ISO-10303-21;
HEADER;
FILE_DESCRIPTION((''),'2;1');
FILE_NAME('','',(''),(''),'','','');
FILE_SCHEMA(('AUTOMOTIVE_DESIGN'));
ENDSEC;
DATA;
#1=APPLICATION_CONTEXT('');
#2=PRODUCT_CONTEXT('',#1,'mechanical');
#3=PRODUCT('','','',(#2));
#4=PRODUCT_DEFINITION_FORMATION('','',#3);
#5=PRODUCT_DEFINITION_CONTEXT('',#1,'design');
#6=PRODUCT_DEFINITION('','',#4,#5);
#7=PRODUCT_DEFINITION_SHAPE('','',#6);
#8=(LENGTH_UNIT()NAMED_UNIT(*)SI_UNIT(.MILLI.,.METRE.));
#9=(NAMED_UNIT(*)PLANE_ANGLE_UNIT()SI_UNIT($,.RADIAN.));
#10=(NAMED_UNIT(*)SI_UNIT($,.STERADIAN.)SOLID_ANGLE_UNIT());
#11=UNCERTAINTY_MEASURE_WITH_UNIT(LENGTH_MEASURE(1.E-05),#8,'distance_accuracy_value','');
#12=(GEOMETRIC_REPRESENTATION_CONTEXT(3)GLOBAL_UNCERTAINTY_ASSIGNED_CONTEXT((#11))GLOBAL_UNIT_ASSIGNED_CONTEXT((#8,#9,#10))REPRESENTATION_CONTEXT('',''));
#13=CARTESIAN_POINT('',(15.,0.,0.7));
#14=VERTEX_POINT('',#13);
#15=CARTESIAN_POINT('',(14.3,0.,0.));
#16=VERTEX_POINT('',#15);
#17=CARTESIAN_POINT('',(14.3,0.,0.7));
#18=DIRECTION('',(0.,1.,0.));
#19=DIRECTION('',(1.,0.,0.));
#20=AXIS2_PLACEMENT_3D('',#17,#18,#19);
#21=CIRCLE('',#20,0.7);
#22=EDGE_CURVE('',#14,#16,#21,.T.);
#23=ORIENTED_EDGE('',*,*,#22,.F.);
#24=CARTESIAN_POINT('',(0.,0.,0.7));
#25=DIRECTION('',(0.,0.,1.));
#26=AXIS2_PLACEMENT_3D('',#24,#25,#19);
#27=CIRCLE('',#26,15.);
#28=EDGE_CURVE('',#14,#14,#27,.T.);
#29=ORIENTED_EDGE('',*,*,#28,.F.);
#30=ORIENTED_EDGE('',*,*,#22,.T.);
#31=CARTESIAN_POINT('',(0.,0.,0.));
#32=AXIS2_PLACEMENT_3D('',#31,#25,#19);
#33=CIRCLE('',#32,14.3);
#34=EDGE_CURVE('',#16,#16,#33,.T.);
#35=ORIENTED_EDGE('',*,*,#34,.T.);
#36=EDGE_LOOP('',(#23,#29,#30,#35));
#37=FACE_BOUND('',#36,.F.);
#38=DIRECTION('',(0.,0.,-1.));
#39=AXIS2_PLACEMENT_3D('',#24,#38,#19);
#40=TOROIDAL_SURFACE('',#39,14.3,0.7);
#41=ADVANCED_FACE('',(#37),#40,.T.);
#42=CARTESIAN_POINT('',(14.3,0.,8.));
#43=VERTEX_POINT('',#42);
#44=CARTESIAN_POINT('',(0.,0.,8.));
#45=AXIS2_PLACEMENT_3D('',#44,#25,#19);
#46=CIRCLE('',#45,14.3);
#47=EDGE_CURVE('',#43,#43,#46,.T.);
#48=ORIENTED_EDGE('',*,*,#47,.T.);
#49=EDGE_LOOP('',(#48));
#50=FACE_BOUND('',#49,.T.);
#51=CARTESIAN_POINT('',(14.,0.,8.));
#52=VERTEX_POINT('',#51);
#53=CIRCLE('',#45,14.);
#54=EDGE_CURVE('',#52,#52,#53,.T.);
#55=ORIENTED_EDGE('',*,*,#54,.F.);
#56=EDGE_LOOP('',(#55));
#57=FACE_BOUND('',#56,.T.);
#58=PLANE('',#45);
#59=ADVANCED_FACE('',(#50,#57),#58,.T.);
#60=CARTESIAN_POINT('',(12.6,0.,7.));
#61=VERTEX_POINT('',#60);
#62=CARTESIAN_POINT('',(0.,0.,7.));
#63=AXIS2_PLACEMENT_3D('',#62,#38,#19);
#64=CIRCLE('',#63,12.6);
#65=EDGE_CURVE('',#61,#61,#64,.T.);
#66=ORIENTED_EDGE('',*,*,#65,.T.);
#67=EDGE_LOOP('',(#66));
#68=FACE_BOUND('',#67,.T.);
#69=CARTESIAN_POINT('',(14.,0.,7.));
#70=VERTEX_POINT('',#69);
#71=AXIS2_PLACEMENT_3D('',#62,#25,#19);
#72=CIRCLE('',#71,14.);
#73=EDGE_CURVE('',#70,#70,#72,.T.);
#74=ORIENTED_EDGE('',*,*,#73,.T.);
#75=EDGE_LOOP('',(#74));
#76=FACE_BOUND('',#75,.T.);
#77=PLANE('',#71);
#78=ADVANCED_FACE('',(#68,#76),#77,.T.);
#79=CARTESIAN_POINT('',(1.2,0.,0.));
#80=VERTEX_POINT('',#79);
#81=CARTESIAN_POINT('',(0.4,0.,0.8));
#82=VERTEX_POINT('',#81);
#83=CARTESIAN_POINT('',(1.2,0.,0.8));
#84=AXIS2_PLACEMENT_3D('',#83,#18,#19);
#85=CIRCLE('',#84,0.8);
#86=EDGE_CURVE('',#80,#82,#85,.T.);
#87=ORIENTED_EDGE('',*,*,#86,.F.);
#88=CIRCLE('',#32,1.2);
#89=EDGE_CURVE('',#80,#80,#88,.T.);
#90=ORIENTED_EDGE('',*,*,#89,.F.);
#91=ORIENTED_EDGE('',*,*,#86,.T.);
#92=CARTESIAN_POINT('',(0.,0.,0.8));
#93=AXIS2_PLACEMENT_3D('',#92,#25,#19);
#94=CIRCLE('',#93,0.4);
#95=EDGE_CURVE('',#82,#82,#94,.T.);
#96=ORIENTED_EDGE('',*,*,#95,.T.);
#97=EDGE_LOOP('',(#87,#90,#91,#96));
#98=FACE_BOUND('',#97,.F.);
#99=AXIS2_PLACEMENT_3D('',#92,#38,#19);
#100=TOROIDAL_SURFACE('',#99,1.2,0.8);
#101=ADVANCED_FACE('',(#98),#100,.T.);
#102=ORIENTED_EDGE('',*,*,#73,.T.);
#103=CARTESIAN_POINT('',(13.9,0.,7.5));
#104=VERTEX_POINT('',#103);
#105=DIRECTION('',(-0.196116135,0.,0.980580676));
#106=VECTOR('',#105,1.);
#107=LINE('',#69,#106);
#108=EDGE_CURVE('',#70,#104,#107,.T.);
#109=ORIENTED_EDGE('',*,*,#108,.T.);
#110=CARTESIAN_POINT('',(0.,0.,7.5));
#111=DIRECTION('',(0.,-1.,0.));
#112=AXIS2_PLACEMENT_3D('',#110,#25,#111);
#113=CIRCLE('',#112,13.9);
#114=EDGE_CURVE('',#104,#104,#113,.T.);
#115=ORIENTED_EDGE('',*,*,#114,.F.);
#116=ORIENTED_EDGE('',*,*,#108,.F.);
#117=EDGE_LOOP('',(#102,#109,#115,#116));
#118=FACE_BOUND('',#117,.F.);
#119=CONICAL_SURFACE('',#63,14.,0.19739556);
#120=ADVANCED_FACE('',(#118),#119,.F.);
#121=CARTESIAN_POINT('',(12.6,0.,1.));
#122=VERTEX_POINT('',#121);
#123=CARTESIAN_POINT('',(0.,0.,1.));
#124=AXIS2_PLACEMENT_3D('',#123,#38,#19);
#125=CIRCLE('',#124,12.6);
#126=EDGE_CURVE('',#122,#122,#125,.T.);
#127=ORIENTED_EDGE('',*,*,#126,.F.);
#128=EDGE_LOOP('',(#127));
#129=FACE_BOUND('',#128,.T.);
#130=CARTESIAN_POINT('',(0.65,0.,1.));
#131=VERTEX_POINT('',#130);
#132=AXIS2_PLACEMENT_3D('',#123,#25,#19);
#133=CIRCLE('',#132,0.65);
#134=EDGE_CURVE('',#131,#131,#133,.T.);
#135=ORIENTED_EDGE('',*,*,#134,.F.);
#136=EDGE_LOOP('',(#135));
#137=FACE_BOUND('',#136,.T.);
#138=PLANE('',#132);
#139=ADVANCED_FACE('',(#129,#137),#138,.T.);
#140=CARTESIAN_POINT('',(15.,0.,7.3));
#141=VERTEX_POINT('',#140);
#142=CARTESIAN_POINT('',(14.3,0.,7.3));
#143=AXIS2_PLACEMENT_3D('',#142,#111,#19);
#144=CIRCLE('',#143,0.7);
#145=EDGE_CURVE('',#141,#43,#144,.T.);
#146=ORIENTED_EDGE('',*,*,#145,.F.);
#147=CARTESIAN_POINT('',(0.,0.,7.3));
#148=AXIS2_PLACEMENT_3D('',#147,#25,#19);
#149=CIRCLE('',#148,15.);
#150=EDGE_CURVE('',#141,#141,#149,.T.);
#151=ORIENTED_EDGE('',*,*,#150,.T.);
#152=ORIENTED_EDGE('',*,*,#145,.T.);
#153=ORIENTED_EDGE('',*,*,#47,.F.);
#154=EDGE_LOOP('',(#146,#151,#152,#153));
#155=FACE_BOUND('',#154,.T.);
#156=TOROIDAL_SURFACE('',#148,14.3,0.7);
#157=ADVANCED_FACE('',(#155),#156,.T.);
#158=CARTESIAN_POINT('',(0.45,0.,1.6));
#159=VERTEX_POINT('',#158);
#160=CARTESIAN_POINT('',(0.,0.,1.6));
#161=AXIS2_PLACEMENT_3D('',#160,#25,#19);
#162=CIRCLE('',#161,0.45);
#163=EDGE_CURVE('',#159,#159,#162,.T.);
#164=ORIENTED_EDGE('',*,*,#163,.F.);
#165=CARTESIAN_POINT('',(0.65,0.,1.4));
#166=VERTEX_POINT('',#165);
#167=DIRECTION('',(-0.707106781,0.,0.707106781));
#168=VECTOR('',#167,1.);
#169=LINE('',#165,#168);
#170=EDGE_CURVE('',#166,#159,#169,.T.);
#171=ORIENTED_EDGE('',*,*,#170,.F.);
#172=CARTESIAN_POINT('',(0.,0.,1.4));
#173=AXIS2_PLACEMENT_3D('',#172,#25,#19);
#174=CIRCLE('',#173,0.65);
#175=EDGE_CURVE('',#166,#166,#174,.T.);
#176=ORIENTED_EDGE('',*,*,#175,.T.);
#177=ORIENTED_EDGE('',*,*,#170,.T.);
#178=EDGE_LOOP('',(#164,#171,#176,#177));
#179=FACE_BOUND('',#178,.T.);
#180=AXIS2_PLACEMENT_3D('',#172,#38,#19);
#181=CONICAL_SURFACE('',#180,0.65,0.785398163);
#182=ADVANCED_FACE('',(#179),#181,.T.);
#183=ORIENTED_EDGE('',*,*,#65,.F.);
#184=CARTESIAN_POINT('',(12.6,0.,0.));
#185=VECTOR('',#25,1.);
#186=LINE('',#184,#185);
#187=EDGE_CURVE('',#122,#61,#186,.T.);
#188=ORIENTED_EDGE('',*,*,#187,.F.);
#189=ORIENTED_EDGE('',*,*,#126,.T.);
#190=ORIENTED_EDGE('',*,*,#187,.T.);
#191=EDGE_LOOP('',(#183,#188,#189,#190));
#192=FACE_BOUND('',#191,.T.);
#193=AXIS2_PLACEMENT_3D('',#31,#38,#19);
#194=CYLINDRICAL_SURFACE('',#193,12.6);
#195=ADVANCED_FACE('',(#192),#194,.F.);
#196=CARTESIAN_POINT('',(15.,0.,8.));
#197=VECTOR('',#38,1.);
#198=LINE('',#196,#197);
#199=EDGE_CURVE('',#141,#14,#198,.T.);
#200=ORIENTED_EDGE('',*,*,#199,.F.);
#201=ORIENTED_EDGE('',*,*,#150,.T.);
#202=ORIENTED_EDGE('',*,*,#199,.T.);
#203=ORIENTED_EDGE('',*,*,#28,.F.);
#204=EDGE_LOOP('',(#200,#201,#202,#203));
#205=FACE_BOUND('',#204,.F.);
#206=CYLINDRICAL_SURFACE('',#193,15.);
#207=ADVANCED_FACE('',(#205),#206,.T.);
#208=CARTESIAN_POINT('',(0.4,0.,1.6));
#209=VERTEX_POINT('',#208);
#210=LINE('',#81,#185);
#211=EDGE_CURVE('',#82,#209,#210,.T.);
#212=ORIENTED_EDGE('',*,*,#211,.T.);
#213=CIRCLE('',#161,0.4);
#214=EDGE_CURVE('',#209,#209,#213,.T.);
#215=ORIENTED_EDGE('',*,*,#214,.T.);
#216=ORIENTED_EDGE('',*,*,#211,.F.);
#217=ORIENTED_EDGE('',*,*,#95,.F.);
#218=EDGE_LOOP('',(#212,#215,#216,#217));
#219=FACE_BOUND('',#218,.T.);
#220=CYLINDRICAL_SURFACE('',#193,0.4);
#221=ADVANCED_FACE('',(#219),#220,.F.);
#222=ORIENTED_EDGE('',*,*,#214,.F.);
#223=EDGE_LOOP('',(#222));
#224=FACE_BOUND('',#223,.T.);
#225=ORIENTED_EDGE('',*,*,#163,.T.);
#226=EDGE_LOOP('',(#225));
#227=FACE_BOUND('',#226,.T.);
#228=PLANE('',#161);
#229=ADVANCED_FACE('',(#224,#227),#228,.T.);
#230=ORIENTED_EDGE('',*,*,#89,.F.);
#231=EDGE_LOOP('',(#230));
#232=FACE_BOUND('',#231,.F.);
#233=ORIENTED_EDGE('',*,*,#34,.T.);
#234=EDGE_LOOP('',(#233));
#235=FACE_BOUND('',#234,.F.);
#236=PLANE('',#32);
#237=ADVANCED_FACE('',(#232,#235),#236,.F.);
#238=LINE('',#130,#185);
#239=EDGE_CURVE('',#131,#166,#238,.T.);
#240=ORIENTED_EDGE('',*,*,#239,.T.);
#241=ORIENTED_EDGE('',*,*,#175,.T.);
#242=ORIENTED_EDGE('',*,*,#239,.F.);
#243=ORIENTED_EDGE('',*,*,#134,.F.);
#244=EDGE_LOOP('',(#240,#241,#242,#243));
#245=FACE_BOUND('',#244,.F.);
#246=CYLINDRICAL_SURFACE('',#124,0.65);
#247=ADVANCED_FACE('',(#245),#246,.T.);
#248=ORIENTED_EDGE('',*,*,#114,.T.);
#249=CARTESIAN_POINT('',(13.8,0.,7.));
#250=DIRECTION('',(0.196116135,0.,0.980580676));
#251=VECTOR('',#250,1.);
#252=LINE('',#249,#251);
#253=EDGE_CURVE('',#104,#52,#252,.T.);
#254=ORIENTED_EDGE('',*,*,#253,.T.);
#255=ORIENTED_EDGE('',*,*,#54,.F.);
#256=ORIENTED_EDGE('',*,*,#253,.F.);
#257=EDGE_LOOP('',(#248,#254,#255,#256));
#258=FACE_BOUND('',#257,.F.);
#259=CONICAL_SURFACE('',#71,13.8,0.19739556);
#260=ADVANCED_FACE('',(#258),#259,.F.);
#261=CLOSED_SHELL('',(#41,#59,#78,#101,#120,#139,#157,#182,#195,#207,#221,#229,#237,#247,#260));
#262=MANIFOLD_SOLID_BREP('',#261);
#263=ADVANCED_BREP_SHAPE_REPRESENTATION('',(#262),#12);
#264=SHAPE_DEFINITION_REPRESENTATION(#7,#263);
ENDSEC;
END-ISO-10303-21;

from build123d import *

# Parameters (mm, degrees)
CYLINDER007_R     = 14
CYLINDER007_DEPTH = 1
CYLINDER006_R     = 14
CYLINDER006_DEPTH = 1
CYLINDER005_R     = 0.4
CYLINDER005_DEPTH = 1
CYLINDER001_R     = 12.6
CYLINDER001_DEPTH = 8
CYLINDER_R        = 15
CYLINDER_DEPTH    = 8
CYLINDER002_R     = 15
CYLINDER002_DEPTH = 1
FILLET_R          = 0.7
FILLET001_R       = 0.7
FILLET002_R       = 0.8
CYLINDER004_R     = 0.4
CYLINDER004_DEPTH = 0.6
CYLINDER003_R     = 0.65
CYLINDER003_DEPTH = 0.6
CHAMFER_SIZE      = 0.2


with BuildPart() as cone001:
    # Cone001 → Cone001 (revolve)
    with BuildSketch(Plane(origin=(0, 0, 7), x_dir=(1, 0, 0), z_dir=(0, -1, 0))):
        Polygon((0, 0), (13.8, 0), (14, 1), (0, 1), align=None)
    revolve(axis=Axis((0, 0, 7), (0, 0, 1)))


with BuildPart() as cone:
    # Cone → Cone (revolve)
    with BuildSketch(Plane(origin=(0, 0, 7), x_dir=(1, 0, 0), z_dir=(0, -1, 0))):
        Polygon((0, 0), (14, 0), (13.8, 1), (0, 1), align=None)
    revolve(axis=Axis((0, 0, 7), (0, 0, 1)))


with BuildPart() as cut005:
    # Cylinder007 → Cylinder007 (new body)
    with BuildSketch(Plane.XY.offset(7)):
        Circle(CYLINDER007_R)
    extrude(amount=CYLINDER007_DEPTH)

    # Cut004: cut Cone
    add(cone.part, mode=Mode.SUBTRACT)

    # Cut005: cut Cone001
    add(cone001.part, mode=Mode.SUBTRACT)


with BuildPart() as cylinder006:
    # Cylinder006 → Cylinder006 (new body)
    with BuildSketch(Plane.XY.offset(7)):
        Circle(CYLINDER006_R)
    extrude(amount=CYLINDER006_DEPTH)


with BuildPart() as cylinder005:
    # Cylinder005 → Cylinder005 (new body)
    with BuildSketch(Plane.XY):
        Circle(CYLINDER005_R)
    extrude(amount=CYLINDER005_DEPTH)


with BuildPart() as cylinder001:
    # Cylinder001 → Cylinder001 (new body)
    with BuildSketch(Plane.XY):
        Circle(CYLINDER001_R)
    extrude(amount=CYLINDER001_DEPTH)


with BuildPart() as cut:
    # Cylinder → Cylinder (new body)
    with BuildSketch(Plane.XY):
        Circle(CYLINDER_R)
    extrude(amount=CYLINDER_DEPTH)

    # Cut: cut Cylinder001
    add(cylinder001.part, mode=Mode.SUBTRACT)


with BuildPart() as fillet002:
    # Cylinder002 → Cylinder002 (new body)
    with BuildSketch(Plane.XY):
        Circle(CYLINDER002_R)
    extrude(amount=CYLINDER002_DEPTH)

    # Fusion: union Cut
    add(cut.part)

    # Cut001: cut Cylinder005
    add(cylinder005.part, mode=Mode.SUBTRACT)

    # Cut003: cut Cylinder006
    add(cylinder006.part, mode=Mode.SUBTRACT)

    # Fillet
    fillet_edges = [fillet002.edges().sort_by_distance(p)[0] for p in [
        (-15, 0, 8),
    ]]
    fillet(fillet_edges, radius=FILLET_R)

    # Fillet001
    fillet001_edges = [fillet002.edges().sort_by_distance(p)[0] for p in [
        (-15, 0, 0),
    ]]
    fillet(fillet001_edges, radius=FILLET001_R)

    # Fillet002
    fillet002_edges = [fillet002.edges().sort_by_distance(p)[0] for p in [
        (-0.4, 0, 0),
    ]]
    fillet(fillet002_edges, radius=FILLET002_R)


with BuildPart() as cylinder004:
    # Cylinder004 → Cylinder004 (new body)
    with BuildSketch(Plane.XY.offset(1)):
        Circle(CYLINDER004_R)
    extrude(amount=CYLINDER004_DEPTH)


with BuildPart() as fusion001:
    # Cylinder003 → Cylinder003 (new body)
    with BuildSketch(Plane.XY.offset(1)):
        Circle(CYLINDER003_R)
    extrude(amount=CYLINDER003_DEPTH)

    # Cut002: cut Cylinder004
    add(cylinder004.part, mode=Mode.SUBTRACT)

    # Chamfer
    chamfer_edges = [fusion001.edges().sort_by_distance(p)[0] for p in [
        (-0.65, 0, 1.6),
    ]]
    chamfer(chamfer_edges, length=CHAMFER_SIZE)

    # Fusion001: union Cut005, Fillet002
    add(cut005.part)
    add(fillet002.part)


solid = fusion001.part
